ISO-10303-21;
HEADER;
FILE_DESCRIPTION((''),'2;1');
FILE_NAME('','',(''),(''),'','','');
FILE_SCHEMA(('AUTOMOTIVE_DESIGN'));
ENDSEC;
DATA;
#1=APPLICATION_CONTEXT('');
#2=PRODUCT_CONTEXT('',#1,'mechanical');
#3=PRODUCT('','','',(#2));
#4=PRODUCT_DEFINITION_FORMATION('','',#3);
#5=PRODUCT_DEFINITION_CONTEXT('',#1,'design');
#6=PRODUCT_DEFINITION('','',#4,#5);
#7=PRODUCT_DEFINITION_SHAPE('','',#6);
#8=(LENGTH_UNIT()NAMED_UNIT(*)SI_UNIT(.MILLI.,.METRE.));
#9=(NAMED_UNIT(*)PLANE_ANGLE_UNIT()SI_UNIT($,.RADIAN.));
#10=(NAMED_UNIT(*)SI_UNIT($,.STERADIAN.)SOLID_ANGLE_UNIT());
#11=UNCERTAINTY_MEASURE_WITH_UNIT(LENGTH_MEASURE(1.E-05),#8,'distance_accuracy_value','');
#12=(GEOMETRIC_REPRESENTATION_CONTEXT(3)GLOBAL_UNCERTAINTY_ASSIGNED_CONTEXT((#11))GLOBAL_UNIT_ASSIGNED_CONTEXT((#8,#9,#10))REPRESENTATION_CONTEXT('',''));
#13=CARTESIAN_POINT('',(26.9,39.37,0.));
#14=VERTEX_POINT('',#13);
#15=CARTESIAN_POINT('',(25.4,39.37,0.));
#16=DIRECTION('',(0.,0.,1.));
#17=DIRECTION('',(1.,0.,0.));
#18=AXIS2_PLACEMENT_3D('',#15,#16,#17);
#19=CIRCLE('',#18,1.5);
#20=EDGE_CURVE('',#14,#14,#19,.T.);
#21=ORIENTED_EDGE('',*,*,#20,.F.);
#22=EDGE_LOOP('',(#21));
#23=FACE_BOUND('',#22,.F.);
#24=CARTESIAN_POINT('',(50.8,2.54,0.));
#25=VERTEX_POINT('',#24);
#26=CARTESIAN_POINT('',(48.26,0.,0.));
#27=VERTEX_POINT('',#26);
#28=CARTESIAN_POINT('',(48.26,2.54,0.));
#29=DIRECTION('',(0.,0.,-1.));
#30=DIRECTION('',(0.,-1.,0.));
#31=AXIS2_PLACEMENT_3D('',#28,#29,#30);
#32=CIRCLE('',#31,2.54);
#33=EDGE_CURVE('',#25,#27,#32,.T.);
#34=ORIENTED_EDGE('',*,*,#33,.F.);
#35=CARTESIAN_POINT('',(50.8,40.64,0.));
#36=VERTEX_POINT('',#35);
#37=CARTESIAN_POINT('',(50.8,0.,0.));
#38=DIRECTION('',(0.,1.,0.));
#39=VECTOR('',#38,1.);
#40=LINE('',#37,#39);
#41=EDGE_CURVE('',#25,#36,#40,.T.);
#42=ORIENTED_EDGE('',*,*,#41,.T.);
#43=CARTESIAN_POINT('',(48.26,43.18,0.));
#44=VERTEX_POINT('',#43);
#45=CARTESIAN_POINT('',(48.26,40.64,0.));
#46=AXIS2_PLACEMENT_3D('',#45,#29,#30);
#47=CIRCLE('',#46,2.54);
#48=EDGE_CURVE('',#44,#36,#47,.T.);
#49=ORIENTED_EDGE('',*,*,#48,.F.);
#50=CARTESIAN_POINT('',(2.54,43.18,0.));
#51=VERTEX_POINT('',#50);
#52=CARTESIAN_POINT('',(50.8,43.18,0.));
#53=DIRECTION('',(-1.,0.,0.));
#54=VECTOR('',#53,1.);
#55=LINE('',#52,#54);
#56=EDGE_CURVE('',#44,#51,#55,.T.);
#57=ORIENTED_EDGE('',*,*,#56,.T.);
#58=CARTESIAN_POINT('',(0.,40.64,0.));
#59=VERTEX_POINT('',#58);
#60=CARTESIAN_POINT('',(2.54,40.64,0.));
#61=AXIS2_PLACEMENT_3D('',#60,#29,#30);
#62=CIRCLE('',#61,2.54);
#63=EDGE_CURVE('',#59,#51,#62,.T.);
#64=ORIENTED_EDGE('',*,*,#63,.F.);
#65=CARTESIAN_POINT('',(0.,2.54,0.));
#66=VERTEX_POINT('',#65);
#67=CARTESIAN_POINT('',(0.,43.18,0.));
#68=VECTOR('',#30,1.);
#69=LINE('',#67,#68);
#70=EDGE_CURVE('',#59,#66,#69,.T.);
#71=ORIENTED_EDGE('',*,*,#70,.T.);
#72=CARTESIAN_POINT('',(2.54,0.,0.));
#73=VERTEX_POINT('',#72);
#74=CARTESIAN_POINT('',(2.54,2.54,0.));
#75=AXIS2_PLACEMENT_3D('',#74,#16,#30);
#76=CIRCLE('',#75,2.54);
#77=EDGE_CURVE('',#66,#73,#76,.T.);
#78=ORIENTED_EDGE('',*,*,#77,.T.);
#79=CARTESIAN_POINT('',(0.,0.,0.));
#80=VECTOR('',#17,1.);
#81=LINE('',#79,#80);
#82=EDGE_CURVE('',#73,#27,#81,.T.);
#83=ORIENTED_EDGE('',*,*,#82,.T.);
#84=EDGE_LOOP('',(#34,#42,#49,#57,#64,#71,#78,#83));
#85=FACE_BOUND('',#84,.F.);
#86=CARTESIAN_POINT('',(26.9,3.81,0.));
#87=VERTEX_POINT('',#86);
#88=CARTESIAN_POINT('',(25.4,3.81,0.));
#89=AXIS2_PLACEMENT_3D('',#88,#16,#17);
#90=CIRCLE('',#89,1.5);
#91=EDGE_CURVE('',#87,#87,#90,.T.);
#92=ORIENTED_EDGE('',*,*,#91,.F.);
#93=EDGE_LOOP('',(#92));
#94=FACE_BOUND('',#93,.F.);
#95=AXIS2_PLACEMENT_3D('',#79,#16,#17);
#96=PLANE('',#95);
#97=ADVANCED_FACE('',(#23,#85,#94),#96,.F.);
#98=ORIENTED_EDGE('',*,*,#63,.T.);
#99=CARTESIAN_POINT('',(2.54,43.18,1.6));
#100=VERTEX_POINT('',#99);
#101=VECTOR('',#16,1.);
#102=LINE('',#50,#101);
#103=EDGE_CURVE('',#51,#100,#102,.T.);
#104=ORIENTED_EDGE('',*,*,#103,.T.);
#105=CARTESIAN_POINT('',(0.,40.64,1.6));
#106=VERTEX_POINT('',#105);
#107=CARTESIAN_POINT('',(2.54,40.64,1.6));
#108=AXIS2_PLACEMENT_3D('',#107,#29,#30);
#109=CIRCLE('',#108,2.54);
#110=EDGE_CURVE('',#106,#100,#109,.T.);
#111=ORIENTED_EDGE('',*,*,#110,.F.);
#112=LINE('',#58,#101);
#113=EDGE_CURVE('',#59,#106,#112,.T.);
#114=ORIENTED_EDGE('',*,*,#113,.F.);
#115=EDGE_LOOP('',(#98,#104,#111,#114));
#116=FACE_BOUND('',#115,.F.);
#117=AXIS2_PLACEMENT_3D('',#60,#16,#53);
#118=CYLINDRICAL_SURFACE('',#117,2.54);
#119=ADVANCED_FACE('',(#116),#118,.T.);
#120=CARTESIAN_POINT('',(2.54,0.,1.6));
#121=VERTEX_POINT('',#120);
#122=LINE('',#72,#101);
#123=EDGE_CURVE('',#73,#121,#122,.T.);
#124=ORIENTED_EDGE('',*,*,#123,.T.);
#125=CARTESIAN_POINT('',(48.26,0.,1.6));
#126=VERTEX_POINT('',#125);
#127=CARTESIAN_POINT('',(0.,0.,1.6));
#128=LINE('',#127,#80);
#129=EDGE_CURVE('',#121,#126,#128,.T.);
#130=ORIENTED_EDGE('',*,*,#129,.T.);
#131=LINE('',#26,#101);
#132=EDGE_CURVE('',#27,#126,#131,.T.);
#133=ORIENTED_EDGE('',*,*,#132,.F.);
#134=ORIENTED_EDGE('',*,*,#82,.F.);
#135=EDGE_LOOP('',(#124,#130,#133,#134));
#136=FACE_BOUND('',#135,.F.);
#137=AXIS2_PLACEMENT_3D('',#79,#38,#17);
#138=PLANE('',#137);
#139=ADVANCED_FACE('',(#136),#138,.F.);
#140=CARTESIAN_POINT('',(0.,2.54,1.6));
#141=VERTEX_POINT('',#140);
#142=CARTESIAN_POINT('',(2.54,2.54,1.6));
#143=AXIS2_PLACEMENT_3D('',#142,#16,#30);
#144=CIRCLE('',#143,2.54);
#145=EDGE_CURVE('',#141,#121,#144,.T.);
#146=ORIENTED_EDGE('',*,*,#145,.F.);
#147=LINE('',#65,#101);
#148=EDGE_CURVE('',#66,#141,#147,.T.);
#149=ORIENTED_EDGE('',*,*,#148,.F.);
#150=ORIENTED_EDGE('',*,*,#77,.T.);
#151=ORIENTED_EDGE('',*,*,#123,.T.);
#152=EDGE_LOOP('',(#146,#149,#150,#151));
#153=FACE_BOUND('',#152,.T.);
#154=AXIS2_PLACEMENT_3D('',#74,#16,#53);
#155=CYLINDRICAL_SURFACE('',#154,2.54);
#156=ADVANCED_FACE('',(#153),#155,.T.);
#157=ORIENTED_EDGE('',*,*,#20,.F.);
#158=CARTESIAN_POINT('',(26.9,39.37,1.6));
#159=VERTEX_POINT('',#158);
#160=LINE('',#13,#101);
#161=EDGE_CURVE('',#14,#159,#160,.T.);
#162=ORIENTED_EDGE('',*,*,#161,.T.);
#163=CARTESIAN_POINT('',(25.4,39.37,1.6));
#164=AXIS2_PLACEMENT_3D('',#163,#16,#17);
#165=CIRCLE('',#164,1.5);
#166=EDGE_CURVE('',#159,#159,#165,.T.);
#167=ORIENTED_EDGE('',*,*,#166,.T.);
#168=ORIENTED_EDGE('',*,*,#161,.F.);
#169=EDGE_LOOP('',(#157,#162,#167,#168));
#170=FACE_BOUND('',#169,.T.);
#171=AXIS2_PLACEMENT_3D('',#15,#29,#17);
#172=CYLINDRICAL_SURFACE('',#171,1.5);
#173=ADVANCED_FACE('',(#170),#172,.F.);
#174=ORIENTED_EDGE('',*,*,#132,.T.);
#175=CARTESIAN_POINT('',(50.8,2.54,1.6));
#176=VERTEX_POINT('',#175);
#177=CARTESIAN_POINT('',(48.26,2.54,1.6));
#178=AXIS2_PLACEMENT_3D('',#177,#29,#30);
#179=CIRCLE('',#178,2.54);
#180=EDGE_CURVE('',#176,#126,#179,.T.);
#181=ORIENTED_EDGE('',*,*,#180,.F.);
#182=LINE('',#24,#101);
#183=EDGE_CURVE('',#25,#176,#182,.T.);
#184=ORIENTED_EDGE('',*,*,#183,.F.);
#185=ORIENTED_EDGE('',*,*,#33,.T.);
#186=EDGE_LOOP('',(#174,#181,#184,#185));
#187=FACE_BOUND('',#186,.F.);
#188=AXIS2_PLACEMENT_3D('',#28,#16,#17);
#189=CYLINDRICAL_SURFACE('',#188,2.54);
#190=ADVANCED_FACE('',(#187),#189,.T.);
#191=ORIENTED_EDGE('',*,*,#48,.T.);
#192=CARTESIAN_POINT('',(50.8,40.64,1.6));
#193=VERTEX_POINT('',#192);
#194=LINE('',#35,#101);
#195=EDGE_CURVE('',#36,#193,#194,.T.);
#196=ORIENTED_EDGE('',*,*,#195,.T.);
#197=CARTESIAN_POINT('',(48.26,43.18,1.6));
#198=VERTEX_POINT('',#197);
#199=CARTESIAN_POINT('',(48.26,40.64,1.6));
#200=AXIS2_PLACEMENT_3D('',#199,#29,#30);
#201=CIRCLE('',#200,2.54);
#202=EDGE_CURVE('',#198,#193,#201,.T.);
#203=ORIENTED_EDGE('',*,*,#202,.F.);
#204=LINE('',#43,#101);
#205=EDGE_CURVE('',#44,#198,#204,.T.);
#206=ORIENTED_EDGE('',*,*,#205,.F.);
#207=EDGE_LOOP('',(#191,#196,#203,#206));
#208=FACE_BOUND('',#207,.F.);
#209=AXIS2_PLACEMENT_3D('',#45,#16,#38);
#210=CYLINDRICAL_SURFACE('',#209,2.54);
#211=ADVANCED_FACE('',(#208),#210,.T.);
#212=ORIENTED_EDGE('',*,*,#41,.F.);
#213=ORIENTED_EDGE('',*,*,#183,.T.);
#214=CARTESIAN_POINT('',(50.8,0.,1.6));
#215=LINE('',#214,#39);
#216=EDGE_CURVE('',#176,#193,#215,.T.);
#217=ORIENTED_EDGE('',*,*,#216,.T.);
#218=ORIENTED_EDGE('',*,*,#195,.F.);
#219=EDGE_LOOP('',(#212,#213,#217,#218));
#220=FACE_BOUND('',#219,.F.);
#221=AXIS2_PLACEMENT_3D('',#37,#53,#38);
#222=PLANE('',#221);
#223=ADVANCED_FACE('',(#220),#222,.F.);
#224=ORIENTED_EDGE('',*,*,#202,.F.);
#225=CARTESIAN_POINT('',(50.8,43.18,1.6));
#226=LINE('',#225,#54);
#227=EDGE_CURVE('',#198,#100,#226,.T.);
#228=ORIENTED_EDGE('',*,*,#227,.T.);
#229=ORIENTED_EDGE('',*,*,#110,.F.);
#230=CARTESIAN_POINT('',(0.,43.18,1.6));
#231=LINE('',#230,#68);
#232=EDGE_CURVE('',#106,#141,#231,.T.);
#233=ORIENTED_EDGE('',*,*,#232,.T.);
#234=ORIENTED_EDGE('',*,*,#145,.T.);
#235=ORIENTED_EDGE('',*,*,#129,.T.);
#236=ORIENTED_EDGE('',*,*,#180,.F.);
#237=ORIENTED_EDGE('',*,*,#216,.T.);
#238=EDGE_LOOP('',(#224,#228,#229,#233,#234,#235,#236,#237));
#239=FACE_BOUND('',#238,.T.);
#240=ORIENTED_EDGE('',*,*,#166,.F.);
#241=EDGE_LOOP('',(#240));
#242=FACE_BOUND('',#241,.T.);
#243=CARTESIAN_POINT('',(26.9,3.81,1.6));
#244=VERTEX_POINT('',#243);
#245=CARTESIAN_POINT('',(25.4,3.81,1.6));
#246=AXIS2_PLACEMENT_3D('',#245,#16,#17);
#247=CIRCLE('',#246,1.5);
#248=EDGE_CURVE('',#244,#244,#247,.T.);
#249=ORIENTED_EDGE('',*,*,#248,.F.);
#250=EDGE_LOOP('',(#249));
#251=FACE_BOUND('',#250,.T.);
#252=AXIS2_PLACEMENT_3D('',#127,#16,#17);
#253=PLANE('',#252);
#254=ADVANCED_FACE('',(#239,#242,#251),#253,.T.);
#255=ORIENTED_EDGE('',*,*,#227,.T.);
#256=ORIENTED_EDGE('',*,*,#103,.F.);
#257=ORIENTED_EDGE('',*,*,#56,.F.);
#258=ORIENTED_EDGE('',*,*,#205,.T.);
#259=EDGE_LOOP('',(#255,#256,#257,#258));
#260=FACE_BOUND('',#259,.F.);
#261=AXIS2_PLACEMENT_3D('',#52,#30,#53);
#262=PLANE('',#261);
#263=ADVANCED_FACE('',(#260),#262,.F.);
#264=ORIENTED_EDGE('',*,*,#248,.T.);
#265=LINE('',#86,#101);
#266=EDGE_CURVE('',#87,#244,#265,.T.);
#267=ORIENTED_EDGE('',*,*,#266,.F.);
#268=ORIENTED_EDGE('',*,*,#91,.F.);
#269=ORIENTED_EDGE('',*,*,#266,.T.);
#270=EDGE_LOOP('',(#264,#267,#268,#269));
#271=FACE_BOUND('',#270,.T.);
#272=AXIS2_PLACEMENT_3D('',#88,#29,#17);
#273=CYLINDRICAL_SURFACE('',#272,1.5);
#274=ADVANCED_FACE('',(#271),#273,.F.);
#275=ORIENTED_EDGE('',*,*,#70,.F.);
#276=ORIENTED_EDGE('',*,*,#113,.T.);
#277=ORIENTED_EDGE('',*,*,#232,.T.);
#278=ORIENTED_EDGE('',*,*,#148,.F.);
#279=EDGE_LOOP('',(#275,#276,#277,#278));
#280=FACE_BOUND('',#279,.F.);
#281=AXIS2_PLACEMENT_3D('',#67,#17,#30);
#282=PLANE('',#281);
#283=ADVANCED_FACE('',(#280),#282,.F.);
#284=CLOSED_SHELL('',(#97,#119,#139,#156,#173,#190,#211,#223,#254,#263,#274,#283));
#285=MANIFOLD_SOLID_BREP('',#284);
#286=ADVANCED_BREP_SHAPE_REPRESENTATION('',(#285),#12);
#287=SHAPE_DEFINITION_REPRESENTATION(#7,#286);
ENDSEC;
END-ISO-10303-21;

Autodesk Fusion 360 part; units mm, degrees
sketch "Sketch1" plane through (0, 0, 0) normal (0, 0, 1) x (1, 0, 0)
  line L0 (0, 0) -> (50.8, 0)
  line L1 (50.8, 0) -> (50.8, 43.18)
  line L2 (50.8, 43.18) -> (0, 43.18)
  line L3 (0, 43.18) -> (0, 0)
  line L4 (25.4, 43.18) -> (25.4, 0) construction
  line L5 (0, 21.59) -> (50.8, 21.59) construction
  circle A0 centre (25.4, 39.37) radius 1.5
  circle A1 centre (25.4, 3.81) radius 1.5
  dimension "d1" = 50.8
  dimension "d2" = 43.18
  dimension "d3" = 3
  dimension "d4" = 3
  dimension "d5" = 17.78
  dimension "d6" = 35.56
extrude "Extrude1" add sketch "Sketch1" along normal blind 1.6
fillet "Fillet1" radius 2.54 4 edges at (50.8, 0, 0.8) (50.8, 43.18, 0.8) (0, 0, 0.8) (0, 43.18, 0.8)
